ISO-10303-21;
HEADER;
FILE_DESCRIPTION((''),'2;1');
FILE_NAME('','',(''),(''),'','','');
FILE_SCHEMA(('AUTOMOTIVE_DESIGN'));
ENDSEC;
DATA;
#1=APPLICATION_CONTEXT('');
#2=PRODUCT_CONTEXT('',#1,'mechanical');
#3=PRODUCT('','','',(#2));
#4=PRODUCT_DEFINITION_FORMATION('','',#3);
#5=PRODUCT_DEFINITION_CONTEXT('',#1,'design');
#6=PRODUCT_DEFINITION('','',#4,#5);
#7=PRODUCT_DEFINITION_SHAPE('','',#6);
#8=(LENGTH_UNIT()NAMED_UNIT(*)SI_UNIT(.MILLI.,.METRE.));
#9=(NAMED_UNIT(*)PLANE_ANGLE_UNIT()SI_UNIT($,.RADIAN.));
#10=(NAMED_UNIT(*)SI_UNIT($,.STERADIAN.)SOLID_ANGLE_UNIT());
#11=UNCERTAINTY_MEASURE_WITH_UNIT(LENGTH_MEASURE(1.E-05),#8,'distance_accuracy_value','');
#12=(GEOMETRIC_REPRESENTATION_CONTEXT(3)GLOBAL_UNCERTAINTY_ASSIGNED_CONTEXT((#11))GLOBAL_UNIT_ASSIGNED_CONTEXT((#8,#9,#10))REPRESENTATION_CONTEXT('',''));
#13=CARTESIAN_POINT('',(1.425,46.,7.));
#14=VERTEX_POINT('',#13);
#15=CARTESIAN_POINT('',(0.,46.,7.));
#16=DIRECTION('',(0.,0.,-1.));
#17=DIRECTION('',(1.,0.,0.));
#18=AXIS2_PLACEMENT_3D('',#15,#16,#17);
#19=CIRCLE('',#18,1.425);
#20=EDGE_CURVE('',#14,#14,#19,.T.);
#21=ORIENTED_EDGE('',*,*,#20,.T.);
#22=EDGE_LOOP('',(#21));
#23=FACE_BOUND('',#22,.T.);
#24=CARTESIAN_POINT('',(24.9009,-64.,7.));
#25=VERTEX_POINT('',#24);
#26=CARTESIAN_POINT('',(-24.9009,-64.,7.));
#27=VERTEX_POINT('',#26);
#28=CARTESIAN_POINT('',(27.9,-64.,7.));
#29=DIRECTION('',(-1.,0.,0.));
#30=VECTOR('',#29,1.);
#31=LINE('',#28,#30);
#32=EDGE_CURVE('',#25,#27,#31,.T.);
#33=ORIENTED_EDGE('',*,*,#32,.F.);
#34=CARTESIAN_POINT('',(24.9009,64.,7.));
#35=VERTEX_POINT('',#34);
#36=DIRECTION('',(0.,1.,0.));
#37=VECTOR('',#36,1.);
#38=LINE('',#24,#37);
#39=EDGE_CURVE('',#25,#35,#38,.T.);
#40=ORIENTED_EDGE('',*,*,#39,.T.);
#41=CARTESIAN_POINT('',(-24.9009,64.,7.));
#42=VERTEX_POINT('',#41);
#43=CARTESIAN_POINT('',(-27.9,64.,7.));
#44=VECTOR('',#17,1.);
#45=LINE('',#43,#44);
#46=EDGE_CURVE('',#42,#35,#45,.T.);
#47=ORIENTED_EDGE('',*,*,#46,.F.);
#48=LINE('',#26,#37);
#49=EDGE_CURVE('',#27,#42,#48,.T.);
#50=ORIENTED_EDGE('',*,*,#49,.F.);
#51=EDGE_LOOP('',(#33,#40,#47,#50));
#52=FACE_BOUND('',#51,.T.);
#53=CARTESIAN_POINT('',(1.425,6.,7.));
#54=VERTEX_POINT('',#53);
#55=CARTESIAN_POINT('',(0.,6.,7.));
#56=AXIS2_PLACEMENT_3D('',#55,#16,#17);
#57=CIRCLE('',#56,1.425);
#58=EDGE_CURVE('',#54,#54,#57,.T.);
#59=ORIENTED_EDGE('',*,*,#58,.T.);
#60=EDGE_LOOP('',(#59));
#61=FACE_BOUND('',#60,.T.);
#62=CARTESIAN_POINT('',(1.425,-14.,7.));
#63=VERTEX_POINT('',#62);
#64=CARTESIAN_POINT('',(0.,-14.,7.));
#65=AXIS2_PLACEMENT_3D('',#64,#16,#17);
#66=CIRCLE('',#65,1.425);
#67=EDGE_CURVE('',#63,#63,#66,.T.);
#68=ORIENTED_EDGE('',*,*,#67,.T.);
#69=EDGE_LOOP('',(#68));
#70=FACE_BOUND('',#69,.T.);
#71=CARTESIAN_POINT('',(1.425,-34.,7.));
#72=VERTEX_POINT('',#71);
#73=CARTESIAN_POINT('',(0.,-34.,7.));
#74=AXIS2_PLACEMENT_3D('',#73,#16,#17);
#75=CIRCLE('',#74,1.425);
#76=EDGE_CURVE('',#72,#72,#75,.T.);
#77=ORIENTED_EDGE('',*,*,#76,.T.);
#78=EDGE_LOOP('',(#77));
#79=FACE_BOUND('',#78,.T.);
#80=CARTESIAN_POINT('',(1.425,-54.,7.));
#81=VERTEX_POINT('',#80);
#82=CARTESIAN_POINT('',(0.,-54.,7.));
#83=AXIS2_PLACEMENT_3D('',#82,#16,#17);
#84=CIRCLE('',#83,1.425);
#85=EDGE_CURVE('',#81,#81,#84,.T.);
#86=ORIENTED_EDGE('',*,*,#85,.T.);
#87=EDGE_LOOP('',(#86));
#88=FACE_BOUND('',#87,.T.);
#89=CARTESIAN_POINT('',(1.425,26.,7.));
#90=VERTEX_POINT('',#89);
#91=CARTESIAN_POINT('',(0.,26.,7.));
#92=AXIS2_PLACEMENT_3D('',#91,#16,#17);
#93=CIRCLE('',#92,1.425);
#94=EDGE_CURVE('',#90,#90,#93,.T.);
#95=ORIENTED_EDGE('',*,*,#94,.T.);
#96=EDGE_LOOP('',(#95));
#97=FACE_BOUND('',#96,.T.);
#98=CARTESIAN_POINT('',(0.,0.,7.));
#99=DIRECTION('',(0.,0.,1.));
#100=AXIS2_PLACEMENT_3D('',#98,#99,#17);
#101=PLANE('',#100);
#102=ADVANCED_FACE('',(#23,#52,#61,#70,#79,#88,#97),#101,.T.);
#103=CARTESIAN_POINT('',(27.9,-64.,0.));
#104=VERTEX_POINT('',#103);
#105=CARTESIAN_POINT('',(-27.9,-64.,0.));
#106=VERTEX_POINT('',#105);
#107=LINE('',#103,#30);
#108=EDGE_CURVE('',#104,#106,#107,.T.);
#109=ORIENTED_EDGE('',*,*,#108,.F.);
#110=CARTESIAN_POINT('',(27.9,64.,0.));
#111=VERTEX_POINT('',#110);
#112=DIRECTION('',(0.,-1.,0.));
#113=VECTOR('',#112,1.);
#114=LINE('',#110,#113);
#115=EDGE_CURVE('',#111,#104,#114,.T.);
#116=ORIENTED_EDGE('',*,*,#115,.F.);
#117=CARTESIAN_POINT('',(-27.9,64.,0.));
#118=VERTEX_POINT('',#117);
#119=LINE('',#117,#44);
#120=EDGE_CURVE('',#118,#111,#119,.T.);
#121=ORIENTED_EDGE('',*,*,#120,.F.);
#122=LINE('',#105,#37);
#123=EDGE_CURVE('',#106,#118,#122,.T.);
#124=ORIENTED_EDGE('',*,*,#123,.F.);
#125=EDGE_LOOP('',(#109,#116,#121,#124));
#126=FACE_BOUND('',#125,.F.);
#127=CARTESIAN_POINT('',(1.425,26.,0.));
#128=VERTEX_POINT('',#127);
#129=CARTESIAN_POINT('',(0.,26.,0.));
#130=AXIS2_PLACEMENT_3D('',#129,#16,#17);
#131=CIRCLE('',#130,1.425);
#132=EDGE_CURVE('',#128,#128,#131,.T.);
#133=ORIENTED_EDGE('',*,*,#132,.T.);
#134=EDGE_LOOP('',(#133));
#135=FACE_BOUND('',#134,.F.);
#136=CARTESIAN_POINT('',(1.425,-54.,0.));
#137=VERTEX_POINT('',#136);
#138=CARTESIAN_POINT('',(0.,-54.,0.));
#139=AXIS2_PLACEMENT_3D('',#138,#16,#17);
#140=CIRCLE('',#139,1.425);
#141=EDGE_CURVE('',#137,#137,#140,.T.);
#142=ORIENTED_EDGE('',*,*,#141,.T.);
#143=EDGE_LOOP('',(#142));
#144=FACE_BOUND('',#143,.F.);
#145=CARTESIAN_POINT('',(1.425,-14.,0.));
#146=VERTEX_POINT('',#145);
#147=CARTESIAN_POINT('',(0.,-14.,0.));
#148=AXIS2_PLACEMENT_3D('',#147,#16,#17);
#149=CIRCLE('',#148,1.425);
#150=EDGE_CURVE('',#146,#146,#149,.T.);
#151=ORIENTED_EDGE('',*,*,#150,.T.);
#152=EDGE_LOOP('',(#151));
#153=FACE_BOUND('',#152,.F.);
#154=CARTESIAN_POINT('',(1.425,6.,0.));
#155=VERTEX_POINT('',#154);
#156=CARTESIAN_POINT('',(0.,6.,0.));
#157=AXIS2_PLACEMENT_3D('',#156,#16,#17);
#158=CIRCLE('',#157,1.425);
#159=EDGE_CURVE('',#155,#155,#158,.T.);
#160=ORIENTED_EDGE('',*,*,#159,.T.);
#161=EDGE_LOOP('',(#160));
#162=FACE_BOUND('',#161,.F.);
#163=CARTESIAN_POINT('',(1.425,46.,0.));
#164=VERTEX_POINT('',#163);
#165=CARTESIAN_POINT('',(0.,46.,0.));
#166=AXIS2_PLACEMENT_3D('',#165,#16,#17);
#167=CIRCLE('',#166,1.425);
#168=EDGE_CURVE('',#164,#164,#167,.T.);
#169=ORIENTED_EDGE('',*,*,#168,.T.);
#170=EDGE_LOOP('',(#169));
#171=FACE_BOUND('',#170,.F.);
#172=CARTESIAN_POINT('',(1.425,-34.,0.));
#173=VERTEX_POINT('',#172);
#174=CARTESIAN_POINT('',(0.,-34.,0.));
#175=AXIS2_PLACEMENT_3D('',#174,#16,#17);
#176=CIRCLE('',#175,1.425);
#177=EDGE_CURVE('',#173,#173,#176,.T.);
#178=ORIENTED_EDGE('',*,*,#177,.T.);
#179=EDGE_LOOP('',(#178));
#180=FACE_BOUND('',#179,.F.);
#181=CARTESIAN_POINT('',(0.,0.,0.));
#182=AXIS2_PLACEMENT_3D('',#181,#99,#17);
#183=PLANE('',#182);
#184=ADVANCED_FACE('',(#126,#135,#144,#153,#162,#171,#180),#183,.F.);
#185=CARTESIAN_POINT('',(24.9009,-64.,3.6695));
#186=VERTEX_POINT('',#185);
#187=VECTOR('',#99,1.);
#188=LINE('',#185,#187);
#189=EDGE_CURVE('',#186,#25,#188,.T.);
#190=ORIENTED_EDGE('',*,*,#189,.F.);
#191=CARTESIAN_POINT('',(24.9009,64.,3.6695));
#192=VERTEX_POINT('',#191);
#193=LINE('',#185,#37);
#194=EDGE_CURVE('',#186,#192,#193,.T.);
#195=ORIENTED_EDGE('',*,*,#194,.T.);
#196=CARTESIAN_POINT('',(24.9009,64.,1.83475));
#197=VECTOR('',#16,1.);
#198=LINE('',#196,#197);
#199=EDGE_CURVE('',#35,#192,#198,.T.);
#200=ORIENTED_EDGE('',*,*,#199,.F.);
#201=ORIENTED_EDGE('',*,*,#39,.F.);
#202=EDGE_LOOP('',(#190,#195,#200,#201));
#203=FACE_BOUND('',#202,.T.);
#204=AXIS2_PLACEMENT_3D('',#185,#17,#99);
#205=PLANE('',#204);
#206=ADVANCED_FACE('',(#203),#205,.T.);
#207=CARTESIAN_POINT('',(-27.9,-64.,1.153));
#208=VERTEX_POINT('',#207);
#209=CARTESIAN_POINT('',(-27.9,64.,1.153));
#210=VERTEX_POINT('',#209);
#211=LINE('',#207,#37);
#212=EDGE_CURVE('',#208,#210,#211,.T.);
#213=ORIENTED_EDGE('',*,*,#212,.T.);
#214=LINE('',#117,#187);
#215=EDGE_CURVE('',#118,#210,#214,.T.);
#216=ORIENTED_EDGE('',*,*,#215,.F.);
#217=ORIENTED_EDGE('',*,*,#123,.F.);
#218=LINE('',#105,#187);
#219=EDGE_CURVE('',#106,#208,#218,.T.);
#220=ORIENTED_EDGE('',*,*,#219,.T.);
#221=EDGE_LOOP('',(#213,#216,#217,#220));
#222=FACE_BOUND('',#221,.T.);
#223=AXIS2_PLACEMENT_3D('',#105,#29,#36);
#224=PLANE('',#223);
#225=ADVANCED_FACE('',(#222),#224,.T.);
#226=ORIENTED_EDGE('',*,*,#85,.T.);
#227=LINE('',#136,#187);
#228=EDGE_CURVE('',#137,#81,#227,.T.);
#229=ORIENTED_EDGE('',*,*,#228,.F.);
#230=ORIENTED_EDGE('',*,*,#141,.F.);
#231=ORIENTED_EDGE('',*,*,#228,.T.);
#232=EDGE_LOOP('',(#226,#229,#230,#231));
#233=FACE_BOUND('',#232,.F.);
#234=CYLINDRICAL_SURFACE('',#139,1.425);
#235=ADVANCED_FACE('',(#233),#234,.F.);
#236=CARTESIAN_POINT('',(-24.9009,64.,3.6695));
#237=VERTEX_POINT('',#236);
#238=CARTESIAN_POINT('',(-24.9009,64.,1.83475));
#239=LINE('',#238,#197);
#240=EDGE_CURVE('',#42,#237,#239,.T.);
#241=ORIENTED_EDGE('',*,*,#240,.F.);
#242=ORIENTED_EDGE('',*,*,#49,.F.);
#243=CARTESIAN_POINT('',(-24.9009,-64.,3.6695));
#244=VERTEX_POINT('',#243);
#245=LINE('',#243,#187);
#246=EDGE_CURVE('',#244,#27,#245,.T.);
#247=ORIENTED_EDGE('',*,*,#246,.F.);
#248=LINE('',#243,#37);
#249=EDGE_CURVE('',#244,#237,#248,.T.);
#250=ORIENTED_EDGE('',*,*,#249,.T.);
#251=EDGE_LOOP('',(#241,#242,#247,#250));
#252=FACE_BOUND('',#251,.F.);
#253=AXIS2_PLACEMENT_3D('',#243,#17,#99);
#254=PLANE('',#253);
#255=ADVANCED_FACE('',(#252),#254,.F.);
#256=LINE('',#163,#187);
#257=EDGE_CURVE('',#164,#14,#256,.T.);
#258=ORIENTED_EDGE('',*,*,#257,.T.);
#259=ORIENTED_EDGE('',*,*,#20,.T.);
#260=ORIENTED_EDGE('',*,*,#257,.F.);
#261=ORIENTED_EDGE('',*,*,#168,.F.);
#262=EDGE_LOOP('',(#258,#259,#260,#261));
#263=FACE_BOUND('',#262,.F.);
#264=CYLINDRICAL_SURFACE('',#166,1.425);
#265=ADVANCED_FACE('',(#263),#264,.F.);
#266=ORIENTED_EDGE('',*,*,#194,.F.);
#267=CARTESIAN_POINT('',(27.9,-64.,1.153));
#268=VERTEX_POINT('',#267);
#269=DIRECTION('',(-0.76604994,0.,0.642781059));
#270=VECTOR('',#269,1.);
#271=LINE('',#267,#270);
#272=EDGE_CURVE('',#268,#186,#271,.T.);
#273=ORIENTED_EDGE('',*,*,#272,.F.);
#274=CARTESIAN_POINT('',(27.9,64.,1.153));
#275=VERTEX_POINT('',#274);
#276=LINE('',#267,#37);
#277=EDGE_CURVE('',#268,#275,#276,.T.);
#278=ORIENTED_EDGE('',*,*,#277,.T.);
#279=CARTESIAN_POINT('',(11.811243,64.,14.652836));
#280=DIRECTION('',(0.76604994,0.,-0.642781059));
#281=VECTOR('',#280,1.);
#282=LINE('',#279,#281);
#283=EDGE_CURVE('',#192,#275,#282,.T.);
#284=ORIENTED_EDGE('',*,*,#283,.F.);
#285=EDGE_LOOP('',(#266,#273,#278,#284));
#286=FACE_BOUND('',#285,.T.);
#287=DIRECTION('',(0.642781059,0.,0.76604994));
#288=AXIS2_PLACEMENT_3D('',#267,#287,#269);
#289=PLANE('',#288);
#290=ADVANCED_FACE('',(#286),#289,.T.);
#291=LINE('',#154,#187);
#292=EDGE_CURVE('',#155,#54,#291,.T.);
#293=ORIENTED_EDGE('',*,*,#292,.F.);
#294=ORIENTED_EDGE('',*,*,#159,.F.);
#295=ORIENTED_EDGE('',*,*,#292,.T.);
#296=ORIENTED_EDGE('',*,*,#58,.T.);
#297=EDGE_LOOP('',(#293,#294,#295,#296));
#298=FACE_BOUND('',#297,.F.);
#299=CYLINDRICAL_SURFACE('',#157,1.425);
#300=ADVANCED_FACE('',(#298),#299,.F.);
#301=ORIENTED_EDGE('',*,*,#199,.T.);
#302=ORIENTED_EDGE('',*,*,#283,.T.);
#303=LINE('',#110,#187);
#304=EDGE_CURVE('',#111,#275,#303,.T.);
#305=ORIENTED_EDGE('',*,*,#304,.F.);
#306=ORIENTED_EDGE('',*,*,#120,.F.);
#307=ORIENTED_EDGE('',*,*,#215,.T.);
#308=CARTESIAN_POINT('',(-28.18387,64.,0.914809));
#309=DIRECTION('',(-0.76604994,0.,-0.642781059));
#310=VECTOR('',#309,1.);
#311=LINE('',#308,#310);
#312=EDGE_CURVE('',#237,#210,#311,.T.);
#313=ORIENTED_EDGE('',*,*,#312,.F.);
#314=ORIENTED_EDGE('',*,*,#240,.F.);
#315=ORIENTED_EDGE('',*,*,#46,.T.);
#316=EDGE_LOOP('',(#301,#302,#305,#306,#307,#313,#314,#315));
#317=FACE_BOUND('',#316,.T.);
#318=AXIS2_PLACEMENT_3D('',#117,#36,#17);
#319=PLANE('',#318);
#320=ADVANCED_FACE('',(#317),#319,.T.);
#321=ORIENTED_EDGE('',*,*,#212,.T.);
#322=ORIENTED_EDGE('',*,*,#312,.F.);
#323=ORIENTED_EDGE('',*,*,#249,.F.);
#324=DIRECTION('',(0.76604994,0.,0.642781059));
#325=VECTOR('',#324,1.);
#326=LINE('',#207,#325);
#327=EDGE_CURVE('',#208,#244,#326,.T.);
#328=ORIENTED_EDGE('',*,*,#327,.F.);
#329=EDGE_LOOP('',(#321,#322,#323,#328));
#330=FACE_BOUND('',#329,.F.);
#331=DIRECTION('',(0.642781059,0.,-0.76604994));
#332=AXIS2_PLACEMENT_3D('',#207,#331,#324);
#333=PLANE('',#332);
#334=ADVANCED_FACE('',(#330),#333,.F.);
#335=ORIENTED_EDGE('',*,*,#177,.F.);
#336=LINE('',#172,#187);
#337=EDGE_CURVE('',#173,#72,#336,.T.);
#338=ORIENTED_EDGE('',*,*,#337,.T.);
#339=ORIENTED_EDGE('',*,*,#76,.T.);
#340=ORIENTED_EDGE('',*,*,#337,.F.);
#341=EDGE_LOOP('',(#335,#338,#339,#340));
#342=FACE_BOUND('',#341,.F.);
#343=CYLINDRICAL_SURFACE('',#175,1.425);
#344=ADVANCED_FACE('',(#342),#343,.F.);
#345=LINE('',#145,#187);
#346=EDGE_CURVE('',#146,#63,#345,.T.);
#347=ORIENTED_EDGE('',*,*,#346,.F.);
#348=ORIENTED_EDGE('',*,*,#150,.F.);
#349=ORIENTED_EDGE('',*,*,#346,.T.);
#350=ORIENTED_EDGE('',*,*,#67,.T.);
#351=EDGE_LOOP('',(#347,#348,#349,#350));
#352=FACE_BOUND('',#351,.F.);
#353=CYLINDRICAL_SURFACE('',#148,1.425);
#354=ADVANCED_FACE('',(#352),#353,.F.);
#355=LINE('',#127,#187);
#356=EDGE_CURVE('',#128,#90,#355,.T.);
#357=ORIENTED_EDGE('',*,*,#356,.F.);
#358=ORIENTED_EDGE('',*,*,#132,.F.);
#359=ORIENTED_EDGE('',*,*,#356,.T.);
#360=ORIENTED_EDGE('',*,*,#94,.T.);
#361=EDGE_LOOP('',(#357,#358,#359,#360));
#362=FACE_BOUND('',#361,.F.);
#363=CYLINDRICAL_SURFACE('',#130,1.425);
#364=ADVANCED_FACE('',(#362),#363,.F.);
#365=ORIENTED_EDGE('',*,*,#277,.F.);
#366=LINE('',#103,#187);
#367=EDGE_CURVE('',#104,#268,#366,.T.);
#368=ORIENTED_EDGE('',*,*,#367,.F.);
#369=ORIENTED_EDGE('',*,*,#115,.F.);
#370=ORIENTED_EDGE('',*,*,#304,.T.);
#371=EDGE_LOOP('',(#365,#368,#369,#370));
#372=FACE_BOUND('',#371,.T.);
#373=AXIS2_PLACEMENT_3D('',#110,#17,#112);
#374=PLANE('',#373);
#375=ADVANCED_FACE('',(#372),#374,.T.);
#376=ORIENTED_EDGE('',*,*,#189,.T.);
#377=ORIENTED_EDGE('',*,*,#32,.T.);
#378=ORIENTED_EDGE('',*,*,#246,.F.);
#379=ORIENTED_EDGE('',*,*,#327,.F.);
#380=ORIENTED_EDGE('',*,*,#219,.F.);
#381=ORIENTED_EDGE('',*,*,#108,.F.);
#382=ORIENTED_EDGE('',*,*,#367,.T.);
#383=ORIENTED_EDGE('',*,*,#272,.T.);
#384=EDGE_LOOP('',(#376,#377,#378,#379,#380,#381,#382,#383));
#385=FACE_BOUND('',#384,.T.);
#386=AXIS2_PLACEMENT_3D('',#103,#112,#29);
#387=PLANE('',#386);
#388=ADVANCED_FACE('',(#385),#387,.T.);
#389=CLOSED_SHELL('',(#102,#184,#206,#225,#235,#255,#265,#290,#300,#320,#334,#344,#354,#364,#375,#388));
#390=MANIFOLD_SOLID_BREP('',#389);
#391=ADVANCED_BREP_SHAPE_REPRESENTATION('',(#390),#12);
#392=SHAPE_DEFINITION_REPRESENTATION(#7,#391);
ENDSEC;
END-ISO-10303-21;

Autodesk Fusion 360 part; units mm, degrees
sketch "Sketch1" plane through (0, 0, 0) normal (0, 0, 1) x (1, 0, 0)
  line L0 (-27.9, 64) -> (27.9, 64)
  line L1 (27.9, 64) -> (27.9, -64)
  line L2 (27.9, -64) -> (-27.9, -64)
  line L3 (-27.9, -64) -> (-27.9, 64)
  line L4 (0, 76.2027) -> (0, 75)
  line L5 (0, 75) -> (0, -75) construction
  line L6 (-56.392, 0) -> (-53.853, 0)
  line L7 (-53.853, 0) -> (53.853, 0) construction
  point P0 (0, 64)
  point P1 (-27.9, 0)
  dimension "d44" = 150
  dimension "d45" = 128
  dimension "d46" = 55.8
extrude "Extrude1" add sketch "Sketch1" along normal blind 7
sketch "Sketch2" plane through (0, -64, 0) normal (0, -1, 0) x (1, 0, 0)
  line L0 (-27.9, 0) -> (27.9, 0)
  line L1 (27.9, 0) -> (27.9, 7)
  line L2 (27.9, 7) -> (-27.9, 7)
  line L3 (-27.9, 7) -> (-27.9, 0)
  line L4 (-27.9, 1.153) -> (-24.9009, 3.6695)
  line L5 (-24.9009, 3.6695) -> (-24.9009, 7)
  line L6 (27.9, 1.153) -> (24.9009, 3.6695)
  line L7 (24.9009, 3.6695) -> (24.9009, 7)
  dimension "d49" = 1.153
  dimension "d50" = 3.915
  dimension "d51" = 40
  dimension "d52" = 1.153
  dimension "d54" = 3.915
  dimension "d55" = 40
extrude "Extrude2" cut sketch "Sketch2" against normal through all contours L2 L3 L4 L5 | L1 L2 L6 L7
sketch "Sketch3" plane through (0, 0, 0) normal (0, 0, -1) x (1, 0, 0)
  line L0 (27.9, 64) -> (-27.9, 64)
  line L1 (-27.9, 64) -> (-27.9, -64)
  line L2 (-27.9, -64) -> (27.9, -64)
  line L3 (27.9, -64) -> (27.9, 64)
  line L4 (0, 64) -> (0, -64) construction
  circle A0 centre (0, 54) radius 1.425
  dimension "d57" = 2.85
  dimension "d58" = 10
extrude "Extrude3" cut sketch "Sketch3" against normal blind 7 contours A0
pattern_linear "R-Pattern1" count 1 spacing 0 along (-1, 0, 0) count 6 spacing 20 along (0, 1, 0) of "Extrude3"
equation "d52 = d49"
equation "d54 = d50"
equation "d55 = d51"
